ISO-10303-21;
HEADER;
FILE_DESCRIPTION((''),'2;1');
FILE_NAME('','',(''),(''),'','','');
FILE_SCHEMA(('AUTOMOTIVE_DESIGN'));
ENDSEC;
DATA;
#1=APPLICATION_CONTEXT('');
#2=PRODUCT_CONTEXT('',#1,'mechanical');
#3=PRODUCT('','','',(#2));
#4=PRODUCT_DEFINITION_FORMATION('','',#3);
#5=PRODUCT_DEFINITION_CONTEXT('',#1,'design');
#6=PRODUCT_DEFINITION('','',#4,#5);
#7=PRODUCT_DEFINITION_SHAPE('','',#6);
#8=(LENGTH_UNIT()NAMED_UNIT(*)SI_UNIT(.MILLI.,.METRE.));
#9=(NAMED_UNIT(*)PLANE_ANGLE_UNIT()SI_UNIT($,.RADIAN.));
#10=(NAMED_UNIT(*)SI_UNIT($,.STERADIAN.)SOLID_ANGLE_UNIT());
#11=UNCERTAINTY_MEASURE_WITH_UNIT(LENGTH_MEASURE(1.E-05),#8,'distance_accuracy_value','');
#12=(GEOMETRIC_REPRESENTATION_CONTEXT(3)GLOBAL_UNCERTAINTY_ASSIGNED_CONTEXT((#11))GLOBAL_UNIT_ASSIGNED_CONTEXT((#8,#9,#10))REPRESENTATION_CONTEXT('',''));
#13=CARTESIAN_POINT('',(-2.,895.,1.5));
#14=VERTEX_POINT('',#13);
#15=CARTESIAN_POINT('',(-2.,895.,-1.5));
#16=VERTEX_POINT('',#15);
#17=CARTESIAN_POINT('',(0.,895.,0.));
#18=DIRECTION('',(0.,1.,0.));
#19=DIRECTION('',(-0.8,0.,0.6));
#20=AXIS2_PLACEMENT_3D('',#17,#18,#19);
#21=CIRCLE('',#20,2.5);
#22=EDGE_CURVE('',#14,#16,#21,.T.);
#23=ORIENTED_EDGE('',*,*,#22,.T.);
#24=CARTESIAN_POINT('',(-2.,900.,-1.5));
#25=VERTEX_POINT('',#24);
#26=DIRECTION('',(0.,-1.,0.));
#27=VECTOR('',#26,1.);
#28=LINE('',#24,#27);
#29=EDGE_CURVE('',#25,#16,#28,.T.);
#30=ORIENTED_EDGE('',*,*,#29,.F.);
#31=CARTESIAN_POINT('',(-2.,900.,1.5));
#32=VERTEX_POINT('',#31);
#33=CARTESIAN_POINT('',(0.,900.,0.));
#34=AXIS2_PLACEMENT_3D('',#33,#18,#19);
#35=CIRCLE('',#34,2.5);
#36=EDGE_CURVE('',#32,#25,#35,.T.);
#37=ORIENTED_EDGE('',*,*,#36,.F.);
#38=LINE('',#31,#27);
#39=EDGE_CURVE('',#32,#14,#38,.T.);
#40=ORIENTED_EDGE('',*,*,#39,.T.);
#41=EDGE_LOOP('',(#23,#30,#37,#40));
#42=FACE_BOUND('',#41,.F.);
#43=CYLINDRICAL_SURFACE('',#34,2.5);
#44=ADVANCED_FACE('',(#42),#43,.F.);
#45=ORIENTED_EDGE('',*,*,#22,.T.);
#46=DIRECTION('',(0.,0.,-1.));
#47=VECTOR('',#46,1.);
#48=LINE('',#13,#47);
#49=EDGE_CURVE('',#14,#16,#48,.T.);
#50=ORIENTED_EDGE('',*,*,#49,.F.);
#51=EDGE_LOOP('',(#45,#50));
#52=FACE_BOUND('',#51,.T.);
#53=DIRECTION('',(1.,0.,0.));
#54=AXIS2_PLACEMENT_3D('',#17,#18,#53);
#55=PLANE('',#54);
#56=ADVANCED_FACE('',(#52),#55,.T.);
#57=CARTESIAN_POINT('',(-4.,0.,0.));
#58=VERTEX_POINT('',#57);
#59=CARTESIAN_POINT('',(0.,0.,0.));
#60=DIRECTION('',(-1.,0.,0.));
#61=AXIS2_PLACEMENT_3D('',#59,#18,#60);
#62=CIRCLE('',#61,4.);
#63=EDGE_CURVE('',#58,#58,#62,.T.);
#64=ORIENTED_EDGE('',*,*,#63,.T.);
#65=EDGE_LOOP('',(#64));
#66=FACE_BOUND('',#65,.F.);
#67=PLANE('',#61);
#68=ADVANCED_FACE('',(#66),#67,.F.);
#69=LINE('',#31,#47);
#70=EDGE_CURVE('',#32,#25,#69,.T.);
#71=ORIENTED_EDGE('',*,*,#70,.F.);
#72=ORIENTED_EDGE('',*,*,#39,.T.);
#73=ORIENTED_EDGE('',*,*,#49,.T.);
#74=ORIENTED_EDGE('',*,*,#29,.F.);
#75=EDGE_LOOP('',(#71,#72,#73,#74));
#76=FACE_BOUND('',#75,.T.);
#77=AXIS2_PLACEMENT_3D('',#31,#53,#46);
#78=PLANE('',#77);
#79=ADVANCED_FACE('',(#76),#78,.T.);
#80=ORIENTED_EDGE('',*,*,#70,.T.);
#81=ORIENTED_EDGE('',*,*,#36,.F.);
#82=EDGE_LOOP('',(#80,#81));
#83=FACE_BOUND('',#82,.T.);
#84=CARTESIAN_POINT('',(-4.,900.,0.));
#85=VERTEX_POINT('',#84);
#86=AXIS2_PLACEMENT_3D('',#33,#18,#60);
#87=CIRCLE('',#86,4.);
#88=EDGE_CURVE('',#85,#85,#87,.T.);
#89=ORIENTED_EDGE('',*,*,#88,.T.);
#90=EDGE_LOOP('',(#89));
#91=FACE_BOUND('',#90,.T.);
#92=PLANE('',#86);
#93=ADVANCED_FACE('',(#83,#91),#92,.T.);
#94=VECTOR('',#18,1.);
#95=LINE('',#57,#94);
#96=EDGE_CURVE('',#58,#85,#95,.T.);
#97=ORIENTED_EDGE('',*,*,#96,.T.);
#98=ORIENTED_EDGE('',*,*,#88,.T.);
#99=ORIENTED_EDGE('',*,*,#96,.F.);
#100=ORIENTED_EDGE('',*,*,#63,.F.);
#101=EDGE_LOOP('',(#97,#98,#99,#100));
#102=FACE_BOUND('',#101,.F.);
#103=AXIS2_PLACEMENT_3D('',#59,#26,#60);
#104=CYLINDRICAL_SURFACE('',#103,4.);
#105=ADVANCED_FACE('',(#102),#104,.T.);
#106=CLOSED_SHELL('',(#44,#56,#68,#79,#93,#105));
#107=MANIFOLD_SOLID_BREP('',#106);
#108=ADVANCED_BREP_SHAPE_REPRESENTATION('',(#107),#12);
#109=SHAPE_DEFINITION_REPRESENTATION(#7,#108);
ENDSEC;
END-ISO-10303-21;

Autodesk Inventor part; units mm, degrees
ref_plane "YZ Plane" through (0, 0, 0) normal (1, 0, 0) x (0, 1, 0)
ref_plane "XZ Plane" through (0, 0, 0) normal (0, 1, 0) x (-1, 0, 0)
ref_plane "XY Plane" through (0, 0, 0) normal (0, 0, 1) x (1, 0, 0)
sketch "Sketch1" plane through (0, 0, 0) normal (0, 1, 0) x (-1, 0, 0)
  circle A0 centre (0, 0) radius 4
  dimension "d0" = 8
extrude "Extrusion1" add sketch "Sketch1" along normal blind 900
thread "Thread1" size "M8x1" class "6g" standard "ISO Metric profile" full length
sketch "Sketch2" plane through (0, 900, 0) normal (0, 1, 0) x (1, 0, 0)
  arc A0 (-2, -1.5) -> (-2, 1.5) centre (0, 0) ccw
  line L0 (-2, -1.5) -> (-2, 1.5)
  dimension "d5" = 5
  dimension "d6" = 2
extrude "Extrusion2" cut sketch "Sketch2" against normal blind 5
properties part number "8M 900mm threaded rod"
